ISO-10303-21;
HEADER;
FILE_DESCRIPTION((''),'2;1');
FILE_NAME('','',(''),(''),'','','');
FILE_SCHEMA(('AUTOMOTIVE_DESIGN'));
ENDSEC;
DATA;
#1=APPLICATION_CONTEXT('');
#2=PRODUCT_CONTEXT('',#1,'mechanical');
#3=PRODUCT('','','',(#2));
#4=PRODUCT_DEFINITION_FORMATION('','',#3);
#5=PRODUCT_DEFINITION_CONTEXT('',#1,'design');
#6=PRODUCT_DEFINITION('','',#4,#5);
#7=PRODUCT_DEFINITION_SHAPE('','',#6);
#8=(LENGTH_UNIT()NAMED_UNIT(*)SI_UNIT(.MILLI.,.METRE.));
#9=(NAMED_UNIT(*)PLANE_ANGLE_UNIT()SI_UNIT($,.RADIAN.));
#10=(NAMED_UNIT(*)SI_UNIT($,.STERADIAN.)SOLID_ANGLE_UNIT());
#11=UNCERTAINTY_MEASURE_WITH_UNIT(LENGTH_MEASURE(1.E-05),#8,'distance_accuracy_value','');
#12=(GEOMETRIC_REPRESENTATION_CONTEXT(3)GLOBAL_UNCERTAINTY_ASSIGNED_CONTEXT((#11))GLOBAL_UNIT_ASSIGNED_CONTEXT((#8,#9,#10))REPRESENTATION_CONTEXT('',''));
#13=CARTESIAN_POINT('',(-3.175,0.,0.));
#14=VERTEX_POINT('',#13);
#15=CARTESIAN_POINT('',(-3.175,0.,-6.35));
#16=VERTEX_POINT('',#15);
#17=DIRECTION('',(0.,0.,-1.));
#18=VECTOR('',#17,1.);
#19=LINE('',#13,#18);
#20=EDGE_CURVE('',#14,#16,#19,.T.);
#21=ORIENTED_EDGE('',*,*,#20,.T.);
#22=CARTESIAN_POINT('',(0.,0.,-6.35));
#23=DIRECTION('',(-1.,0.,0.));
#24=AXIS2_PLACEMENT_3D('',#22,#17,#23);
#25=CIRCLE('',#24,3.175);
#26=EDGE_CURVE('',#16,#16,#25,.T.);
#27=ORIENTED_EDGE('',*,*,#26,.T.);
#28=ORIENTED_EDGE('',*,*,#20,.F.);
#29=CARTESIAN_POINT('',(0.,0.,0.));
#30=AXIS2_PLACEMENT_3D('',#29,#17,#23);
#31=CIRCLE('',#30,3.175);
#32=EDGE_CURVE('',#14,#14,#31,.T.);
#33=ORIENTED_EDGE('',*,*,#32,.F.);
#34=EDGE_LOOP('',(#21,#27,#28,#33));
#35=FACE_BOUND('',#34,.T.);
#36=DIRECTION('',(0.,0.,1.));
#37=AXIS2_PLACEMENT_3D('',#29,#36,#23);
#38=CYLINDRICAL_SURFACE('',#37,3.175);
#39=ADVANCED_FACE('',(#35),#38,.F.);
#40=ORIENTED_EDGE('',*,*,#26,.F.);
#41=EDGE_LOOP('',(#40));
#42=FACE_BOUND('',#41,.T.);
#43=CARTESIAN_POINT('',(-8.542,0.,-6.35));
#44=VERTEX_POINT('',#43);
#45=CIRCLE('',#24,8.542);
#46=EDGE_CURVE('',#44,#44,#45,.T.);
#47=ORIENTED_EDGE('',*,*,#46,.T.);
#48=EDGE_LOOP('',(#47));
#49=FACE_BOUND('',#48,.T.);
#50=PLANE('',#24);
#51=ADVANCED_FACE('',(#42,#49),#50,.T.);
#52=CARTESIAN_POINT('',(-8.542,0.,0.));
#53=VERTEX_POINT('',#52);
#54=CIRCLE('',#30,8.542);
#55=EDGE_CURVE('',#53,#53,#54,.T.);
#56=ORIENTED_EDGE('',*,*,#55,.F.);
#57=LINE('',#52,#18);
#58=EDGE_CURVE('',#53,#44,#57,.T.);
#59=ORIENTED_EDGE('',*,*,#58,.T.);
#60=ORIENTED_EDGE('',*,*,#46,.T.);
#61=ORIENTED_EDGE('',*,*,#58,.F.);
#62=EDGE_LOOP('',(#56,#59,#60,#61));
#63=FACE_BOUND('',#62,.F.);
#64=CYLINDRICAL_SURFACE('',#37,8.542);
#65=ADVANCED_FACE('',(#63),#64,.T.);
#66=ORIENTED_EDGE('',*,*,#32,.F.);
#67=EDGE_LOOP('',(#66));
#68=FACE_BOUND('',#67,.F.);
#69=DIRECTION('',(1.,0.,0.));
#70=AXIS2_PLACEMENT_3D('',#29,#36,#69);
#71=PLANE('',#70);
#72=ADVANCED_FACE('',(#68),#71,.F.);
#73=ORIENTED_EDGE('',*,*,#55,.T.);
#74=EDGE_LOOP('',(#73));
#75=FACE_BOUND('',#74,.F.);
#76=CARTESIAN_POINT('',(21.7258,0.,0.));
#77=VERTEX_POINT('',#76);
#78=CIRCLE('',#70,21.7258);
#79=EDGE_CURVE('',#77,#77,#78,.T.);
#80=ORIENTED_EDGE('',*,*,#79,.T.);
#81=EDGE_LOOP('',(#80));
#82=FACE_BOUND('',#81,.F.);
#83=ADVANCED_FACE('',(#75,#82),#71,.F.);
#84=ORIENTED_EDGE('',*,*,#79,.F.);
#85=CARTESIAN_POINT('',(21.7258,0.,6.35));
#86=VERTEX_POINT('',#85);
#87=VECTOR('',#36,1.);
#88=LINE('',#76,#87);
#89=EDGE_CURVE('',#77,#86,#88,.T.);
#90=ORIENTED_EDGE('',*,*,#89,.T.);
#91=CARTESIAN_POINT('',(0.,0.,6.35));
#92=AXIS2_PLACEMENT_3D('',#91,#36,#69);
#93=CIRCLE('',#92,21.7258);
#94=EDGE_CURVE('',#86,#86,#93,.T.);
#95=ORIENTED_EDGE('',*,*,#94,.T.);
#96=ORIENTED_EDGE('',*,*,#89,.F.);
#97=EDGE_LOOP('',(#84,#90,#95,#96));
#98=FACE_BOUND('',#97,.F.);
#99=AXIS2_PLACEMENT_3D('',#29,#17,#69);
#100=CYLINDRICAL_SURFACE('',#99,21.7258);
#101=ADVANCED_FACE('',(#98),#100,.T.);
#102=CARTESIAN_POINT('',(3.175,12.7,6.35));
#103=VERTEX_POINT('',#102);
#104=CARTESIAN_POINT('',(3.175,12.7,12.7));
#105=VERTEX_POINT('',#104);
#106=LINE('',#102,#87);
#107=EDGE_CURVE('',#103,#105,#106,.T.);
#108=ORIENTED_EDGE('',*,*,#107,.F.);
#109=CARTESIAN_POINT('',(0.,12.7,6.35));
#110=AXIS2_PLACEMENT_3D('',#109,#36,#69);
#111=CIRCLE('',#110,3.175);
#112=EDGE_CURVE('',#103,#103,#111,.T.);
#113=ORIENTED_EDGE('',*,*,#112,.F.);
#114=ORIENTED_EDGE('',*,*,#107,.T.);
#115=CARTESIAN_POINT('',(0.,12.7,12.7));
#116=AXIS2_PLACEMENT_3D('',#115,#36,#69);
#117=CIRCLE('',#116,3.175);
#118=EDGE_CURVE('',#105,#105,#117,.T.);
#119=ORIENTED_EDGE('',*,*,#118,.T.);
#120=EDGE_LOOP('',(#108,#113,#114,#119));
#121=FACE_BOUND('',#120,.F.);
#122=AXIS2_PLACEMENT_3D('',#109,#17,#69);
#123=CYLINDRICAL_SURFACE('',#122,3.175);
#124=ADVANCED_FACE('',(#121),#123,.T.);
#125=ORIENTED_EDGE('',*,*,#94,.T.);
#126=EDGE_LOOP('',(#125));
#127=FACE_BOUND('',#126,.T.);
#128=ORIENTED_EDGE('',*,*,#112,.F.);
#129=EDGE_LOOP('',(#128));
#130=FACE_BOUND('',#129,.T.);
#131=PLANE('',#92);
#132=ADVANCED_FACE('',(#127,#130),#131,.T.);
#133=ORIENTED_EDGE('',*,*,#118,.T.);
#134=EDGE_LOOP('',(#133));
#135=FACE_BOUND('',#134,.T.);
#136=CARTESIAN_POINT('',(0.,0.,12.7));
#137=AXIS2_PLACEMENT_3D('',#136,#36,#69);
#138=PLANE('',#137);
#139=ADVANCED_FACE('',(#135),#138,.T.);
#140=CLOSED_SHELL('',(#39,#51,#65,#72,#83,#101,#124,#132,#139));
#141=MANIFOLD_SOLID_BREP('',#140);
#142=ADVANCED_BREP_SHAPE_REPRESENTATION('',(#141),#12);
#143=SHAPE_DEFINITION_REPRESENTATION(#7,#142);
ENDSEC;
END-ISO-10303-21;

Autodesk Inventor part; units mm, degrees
ref_plane "XZ Plane" through (0, 0, 0) normal (0, 1, 0) x (-1, 0, 0)
ref_plane "XY Plane" through (0, 0, 0) normal (0, 0, 1) x (1, 0, 0)
sketch "Sketch1" plane through (0, 0, 0) normal (0, 0, 1) x (1, 0, 0)
  circle A0 centre (0, 0) radius 21.7258
extrude "Extrusion1" add sketch "Sketch1" along normal blind 6.35
sketch "Sketch2" plane through (0, 0, 6.35) normal (0, 0, 1) x (1, 0, 0)
  circle A0 centre (0, 12.7) radius 3.175
  point P0 (0, 0)
  dimension "d4" = 6.35
extrude "Extrusion2" add sketch "Sketch2" along normal blind 6.35
sketch "Sketch5" plane through (0, 0, 0) normal (0, 0, -1) x (-1, 0, 0)
  circle A0 centre (0, 0) radius 3.175
  circle A1 centre (0, 0) radius 8.542
  point P0 (0, 0)
ref_plane "Work Plane3" through (0, 0, -6.35) normal (0, 0, -1) x (-1, 0, 0)
extrude "Extrusion5" add sketch "Sketch5" along normal blind 6.35
sketch "Sketch6" plane through (0, 0, -6.35) normal (0, 0, -1) x (-1, 0, 0)
  circle A0 centre (0, 0) radius 3.175
  spline S0 degree 4 poles (-15.875, 0) (-15.875, 5.123) (-15.6795, 13.2839) (0.7771, 27.615) (13.6923, 12.2077) (15.875, 5.0189) (15.875, 0) knots -1 -1 -1 -1 -1 -0.623021 -0.373021 0 0 0 0 0
  spline S1 degree 4 poles (15.875, 0) (15.875, -4.6644) (10.9112, -18.4609) (-6.6696, -14.611) (-16.1915, -10.8158) (-15.875, 0) knots -1 -1 -1 -1 -1 -0.624992 0 0 0 0 0
  point P0 (0, 0)
extrude "Extrusion4" [suppressed]
sketch "Sketch7" plane through (0, 0, -12.7) normal (0, 0, -1) x (-1, 0, 0)
  circle A0 centre (0, 0) radius 3.175 projected
  point P0 (0, 0)
  point P1 (15.875, 0)
  point P2 (-15.875, 0)
properties part number "Eccentric" material "Steel"
